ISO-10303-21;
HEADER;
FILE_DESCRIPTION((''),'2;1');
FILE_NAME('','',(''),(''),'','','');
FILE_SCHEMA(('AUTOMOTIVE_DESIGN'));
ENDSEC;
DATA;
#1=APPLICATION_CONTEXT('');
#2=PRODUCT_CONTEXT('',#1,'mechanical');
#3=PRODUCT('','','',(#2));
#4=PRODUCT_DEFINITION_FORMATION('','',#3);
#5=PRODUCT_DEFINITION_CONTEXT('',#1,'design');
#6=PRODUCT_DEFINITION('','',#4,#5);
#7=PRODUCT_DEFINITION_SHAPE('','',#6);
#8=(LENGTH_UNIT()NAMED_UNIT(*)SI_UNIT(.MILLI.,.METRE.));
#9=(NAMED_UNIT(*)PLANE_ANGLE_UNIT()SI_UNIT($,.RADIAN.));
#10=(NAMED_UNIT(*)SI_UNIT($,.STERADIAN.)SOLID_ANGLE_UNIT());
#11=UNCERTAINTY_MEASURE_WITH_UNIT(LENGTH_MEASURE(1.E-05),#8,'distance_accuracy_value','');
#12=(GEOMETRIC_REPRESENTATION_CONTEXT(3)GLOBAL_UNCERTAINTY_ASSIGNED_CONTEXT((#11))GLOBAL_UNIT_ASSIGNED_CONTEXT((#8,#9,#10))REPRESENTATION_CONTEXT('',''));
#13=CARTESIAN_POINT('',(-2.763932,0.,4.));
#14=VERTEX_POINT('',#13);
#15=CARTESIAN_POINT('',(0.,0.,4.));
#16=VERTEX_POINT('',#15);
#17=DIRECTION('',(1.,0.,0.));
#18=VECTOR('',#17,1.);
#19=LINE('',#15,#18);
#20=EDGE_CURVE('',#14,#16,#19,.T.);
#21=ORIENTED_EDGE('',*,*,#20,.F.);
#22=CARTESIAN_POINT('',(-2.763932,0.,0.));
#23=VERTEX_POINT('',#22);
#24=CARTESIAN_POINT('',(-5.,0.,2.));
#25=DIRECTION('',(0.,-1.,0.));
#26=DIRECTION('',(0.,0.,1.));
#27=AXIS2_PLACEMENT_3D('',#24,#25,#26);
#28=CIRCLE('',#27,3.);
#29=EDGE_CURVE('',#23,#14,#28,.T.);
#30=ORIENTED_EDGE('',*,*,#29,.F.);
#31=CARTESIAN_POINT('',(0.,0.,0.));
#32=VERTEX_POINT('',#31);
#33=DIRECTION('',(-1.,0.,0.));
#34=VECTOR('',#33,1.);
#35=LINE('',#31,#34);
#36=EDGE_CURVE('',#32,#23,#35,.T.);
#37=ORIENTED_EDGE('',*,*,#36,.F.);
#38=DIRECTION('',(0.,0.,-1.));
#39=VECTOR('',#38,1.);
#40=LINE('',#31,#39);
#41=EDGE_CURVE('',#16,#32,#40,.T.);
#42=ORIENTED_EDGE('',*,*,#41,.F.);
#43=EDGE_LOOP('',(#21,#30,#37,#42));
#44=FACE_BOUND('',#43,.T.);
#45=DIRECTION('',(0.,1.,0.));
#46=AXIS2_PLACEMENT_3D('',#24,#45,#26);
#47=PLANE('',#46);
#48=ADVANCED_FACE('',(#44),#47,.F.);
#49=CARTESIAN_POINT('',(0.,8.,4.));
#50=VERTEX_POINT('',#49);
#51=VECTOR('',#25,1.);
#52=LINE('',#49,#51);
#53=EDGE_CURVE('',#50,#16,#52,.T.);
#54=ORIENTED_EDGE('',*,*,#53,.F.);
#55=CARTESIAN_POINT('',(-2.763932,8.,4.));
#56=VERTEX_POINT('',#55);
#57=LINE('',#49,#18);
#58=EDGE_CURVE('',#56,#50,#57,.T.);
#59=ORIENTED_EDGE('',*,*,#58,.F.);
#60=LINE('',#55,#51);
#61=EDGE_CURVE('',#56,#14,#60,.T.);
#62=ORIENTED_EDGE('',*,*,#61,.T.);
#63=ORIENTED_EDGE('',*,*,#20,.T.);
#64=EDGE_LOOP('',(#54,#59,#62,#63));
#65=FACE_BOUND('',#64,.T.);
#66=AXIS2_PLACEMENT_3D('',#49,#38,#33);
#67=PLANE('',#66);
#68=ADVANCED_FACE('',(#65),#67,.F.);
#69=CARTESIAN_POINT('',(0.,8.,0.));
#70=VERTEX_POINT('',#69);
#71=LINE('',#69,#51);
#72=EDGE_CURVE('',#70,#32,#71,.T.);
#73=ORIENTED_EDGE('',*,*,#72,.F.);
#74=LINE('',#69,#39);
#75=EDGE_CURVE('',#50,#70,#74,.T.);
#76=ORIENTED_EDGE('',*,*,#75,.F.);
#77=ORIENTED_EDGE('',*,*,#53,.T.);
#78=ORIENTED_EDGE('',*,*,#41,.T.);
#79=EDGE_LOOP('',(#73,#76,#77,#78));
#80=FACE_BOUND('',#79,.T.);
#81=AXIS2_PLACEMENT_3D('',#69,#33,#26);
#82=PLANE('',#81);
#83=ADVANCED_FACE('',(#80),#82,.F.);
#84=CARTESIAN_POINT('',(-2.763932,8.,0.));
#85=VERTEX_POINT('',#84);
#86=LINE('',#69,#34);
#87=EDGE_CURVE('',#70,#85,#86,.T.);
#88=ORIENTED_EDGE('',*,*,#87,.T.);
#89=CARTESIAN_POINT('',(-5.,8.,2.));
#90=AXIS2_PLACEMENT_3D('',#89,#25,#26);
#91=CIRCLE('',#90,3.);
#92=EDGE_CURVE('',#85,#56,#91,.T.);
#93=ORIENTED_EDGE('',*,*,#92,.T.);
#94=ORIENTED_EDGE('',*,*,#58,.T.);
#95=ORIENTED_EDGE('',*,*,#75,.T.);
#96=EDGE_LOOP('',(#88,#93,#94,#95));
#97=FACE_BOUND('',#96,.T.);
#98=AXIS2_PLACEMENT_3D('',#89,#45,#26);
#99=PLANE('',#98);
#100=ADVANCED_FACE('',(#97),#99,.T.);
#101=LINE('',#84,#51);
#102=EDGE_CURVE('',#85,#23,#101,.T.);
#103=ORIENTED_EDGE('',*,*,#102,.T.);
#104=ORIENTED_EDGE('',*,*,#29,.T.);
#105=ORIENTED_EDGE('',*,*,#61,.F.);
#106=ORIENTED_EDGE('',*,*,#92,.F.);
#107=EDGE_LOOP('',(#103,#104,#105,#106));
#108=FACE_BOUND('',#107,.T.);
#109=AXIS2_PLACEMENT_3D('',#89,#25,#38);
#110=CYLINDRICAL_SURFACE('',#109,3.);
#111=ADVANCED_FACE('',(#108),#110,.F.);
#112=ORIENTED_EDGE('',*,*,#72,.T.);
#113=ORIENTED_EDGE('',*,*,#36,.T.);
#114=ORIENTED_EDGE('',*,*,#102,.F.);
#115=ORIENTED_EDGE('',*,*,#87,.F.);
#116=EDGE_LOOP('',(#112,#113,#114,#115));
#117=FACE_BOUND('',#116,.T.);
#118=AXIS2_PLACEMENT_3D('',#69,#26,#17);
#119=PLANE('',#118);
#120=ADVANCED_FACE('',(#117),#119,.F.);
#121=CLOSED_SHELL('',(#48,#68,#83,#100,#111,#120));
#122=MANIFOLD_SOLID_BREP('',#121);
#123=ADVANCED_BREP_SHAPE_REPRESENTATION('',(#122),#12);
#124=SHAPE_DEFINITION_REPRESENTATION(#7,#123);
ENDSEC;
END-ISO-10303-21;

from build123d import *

# Parameters (mm, degrees)
EXTRUDE_1_DEPTH = 8


with BuildPart() as part:
    # 草图1 → 凸台-拉伸1 (new body)
    with BuildSketch(Plane(origin=(0, 0, 0), x_dir=(1, 0, 0), z_dir=(0, 1, 0))):
        with BuildLine():
            Line((0, 0), (0, -4))
            Line((0, -4), (-2.763932023, -4))
            ThreePointArc((-2.763932023, -4), (-2, -2), (-2.763932023, 0))
            Line((-2.763932023, 0), (0, 0))
        make_face()
    extrude(amount=EXTRUDE_1_DEPTH)


solid = part.part
